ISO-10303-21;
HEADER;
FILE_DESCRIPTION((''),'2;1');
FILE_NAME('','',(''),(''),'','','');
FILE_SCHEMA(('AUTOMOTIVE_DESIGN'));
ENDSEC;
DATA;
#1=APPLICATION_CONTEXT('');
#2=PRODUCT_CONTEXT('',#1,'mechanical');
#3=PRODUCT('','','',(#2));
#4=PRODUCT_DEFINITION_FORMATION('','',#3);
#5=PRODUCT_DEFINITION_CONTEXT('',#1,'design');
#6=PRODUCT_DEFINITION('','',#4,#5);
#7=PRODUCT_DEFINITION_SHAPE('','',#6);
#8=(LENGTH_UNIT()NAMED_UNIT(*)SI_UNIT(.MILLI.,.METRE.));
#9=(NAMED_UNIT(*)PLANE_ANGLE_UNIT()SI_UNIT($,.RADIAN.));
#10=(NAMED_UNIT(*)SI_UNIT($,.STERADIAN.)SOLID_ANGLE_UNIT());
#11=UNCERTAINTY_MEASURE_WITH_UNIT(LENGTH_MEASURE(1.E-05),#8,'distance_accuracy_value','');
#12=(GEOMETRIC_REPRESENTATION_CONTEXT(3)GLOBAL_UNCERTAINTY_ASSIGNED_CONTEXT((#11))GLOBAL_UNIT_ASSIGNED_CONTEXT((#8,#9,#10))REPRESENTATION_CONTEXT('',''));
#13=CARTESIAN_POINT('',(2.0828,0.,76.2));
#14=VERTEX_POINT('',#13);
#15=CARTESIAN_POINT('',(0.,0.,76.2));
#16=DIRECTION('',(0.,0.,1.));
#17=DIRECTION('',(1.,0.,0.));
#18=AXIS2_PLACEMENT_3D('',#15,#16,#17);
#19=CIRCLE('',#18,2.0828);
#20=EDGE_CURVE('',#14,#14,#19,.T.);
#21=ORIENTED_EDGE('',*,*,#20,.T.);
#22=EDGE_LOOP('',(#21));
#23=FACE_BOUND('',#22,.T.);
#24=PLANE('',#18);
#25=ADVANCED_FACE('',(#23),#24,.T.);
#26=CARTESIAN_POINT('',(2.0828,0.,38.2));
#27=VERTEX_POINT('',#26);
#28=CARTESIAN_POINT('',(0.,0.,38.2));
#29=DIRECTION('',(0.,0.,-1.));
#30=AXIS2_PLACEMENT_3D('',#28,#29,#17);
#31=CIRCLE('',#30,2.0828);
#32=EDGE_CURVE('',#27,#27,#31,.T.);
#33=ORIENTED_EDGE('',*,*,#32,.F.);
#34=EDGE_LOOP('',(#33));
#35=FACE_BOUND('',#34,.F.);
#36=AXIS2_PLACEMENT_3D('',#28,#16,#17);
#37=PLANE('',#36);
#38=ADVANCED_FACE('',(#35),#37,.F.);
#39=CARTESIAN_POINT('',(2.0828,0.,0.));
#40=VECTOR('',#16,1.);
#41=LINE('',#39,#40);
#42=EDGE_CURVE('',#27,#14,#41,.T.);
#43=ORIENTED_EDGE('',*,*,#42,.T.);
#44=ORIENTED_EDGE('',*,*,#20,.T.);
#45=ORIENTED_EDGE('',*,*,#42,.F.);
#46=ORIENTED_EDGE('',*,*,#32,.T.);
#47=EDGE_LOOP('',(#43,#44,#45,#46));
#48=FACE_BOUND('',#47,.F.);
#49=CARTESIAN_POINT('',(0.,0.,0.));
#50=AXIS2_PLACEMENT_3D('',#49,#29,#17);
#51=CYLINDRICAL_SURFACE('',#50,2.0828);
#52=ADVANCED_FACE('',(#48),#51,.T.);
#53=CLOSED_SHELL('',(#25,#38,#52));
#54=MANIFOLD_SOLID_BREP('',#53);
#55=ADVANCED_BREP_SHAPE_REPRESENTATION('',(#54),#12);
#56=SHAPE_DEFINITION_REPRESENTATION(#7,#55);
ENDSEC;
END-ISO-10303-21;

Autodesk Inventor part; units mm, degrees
ref_plane "YZ Plane" through (0, 0, 0) normal (1, 0, 0) x (0, 1, 0)
ref_plane "XZ Plane" through (0, 0, 0) normal (0, 1, 0) x (-1, 0, 0)
ref_plane "XY Plane" through (0, 0, 0) normal (0, 0, 1) x (1, 0, 0)
sketch "Sketch1" plane through (0, 0, 0) normal (0, 0, 1) x (1, 0, 0)
  circle A0 centre (0, 0) radius 2.0828
  dimension "d0" = 4.1656
extrude "Extrusion1" add sketch "Sketch1" along normal blind 76.2
thread "Thread1" size "8-32 UNC" class "2A" standard "ANSI Unified Screw Threads" full length
sketch "Sketch2" plane through (0, 0, 76.2) normal (0, 0, 1) x (1, 0, 0)
  circle A0 centre (0, 0) radius 3.3693
extrude "Extrusion2" cut sketch "Sketch2" against normal blind 38 keep common part
properties part number "Threaded Rod38 mm"
